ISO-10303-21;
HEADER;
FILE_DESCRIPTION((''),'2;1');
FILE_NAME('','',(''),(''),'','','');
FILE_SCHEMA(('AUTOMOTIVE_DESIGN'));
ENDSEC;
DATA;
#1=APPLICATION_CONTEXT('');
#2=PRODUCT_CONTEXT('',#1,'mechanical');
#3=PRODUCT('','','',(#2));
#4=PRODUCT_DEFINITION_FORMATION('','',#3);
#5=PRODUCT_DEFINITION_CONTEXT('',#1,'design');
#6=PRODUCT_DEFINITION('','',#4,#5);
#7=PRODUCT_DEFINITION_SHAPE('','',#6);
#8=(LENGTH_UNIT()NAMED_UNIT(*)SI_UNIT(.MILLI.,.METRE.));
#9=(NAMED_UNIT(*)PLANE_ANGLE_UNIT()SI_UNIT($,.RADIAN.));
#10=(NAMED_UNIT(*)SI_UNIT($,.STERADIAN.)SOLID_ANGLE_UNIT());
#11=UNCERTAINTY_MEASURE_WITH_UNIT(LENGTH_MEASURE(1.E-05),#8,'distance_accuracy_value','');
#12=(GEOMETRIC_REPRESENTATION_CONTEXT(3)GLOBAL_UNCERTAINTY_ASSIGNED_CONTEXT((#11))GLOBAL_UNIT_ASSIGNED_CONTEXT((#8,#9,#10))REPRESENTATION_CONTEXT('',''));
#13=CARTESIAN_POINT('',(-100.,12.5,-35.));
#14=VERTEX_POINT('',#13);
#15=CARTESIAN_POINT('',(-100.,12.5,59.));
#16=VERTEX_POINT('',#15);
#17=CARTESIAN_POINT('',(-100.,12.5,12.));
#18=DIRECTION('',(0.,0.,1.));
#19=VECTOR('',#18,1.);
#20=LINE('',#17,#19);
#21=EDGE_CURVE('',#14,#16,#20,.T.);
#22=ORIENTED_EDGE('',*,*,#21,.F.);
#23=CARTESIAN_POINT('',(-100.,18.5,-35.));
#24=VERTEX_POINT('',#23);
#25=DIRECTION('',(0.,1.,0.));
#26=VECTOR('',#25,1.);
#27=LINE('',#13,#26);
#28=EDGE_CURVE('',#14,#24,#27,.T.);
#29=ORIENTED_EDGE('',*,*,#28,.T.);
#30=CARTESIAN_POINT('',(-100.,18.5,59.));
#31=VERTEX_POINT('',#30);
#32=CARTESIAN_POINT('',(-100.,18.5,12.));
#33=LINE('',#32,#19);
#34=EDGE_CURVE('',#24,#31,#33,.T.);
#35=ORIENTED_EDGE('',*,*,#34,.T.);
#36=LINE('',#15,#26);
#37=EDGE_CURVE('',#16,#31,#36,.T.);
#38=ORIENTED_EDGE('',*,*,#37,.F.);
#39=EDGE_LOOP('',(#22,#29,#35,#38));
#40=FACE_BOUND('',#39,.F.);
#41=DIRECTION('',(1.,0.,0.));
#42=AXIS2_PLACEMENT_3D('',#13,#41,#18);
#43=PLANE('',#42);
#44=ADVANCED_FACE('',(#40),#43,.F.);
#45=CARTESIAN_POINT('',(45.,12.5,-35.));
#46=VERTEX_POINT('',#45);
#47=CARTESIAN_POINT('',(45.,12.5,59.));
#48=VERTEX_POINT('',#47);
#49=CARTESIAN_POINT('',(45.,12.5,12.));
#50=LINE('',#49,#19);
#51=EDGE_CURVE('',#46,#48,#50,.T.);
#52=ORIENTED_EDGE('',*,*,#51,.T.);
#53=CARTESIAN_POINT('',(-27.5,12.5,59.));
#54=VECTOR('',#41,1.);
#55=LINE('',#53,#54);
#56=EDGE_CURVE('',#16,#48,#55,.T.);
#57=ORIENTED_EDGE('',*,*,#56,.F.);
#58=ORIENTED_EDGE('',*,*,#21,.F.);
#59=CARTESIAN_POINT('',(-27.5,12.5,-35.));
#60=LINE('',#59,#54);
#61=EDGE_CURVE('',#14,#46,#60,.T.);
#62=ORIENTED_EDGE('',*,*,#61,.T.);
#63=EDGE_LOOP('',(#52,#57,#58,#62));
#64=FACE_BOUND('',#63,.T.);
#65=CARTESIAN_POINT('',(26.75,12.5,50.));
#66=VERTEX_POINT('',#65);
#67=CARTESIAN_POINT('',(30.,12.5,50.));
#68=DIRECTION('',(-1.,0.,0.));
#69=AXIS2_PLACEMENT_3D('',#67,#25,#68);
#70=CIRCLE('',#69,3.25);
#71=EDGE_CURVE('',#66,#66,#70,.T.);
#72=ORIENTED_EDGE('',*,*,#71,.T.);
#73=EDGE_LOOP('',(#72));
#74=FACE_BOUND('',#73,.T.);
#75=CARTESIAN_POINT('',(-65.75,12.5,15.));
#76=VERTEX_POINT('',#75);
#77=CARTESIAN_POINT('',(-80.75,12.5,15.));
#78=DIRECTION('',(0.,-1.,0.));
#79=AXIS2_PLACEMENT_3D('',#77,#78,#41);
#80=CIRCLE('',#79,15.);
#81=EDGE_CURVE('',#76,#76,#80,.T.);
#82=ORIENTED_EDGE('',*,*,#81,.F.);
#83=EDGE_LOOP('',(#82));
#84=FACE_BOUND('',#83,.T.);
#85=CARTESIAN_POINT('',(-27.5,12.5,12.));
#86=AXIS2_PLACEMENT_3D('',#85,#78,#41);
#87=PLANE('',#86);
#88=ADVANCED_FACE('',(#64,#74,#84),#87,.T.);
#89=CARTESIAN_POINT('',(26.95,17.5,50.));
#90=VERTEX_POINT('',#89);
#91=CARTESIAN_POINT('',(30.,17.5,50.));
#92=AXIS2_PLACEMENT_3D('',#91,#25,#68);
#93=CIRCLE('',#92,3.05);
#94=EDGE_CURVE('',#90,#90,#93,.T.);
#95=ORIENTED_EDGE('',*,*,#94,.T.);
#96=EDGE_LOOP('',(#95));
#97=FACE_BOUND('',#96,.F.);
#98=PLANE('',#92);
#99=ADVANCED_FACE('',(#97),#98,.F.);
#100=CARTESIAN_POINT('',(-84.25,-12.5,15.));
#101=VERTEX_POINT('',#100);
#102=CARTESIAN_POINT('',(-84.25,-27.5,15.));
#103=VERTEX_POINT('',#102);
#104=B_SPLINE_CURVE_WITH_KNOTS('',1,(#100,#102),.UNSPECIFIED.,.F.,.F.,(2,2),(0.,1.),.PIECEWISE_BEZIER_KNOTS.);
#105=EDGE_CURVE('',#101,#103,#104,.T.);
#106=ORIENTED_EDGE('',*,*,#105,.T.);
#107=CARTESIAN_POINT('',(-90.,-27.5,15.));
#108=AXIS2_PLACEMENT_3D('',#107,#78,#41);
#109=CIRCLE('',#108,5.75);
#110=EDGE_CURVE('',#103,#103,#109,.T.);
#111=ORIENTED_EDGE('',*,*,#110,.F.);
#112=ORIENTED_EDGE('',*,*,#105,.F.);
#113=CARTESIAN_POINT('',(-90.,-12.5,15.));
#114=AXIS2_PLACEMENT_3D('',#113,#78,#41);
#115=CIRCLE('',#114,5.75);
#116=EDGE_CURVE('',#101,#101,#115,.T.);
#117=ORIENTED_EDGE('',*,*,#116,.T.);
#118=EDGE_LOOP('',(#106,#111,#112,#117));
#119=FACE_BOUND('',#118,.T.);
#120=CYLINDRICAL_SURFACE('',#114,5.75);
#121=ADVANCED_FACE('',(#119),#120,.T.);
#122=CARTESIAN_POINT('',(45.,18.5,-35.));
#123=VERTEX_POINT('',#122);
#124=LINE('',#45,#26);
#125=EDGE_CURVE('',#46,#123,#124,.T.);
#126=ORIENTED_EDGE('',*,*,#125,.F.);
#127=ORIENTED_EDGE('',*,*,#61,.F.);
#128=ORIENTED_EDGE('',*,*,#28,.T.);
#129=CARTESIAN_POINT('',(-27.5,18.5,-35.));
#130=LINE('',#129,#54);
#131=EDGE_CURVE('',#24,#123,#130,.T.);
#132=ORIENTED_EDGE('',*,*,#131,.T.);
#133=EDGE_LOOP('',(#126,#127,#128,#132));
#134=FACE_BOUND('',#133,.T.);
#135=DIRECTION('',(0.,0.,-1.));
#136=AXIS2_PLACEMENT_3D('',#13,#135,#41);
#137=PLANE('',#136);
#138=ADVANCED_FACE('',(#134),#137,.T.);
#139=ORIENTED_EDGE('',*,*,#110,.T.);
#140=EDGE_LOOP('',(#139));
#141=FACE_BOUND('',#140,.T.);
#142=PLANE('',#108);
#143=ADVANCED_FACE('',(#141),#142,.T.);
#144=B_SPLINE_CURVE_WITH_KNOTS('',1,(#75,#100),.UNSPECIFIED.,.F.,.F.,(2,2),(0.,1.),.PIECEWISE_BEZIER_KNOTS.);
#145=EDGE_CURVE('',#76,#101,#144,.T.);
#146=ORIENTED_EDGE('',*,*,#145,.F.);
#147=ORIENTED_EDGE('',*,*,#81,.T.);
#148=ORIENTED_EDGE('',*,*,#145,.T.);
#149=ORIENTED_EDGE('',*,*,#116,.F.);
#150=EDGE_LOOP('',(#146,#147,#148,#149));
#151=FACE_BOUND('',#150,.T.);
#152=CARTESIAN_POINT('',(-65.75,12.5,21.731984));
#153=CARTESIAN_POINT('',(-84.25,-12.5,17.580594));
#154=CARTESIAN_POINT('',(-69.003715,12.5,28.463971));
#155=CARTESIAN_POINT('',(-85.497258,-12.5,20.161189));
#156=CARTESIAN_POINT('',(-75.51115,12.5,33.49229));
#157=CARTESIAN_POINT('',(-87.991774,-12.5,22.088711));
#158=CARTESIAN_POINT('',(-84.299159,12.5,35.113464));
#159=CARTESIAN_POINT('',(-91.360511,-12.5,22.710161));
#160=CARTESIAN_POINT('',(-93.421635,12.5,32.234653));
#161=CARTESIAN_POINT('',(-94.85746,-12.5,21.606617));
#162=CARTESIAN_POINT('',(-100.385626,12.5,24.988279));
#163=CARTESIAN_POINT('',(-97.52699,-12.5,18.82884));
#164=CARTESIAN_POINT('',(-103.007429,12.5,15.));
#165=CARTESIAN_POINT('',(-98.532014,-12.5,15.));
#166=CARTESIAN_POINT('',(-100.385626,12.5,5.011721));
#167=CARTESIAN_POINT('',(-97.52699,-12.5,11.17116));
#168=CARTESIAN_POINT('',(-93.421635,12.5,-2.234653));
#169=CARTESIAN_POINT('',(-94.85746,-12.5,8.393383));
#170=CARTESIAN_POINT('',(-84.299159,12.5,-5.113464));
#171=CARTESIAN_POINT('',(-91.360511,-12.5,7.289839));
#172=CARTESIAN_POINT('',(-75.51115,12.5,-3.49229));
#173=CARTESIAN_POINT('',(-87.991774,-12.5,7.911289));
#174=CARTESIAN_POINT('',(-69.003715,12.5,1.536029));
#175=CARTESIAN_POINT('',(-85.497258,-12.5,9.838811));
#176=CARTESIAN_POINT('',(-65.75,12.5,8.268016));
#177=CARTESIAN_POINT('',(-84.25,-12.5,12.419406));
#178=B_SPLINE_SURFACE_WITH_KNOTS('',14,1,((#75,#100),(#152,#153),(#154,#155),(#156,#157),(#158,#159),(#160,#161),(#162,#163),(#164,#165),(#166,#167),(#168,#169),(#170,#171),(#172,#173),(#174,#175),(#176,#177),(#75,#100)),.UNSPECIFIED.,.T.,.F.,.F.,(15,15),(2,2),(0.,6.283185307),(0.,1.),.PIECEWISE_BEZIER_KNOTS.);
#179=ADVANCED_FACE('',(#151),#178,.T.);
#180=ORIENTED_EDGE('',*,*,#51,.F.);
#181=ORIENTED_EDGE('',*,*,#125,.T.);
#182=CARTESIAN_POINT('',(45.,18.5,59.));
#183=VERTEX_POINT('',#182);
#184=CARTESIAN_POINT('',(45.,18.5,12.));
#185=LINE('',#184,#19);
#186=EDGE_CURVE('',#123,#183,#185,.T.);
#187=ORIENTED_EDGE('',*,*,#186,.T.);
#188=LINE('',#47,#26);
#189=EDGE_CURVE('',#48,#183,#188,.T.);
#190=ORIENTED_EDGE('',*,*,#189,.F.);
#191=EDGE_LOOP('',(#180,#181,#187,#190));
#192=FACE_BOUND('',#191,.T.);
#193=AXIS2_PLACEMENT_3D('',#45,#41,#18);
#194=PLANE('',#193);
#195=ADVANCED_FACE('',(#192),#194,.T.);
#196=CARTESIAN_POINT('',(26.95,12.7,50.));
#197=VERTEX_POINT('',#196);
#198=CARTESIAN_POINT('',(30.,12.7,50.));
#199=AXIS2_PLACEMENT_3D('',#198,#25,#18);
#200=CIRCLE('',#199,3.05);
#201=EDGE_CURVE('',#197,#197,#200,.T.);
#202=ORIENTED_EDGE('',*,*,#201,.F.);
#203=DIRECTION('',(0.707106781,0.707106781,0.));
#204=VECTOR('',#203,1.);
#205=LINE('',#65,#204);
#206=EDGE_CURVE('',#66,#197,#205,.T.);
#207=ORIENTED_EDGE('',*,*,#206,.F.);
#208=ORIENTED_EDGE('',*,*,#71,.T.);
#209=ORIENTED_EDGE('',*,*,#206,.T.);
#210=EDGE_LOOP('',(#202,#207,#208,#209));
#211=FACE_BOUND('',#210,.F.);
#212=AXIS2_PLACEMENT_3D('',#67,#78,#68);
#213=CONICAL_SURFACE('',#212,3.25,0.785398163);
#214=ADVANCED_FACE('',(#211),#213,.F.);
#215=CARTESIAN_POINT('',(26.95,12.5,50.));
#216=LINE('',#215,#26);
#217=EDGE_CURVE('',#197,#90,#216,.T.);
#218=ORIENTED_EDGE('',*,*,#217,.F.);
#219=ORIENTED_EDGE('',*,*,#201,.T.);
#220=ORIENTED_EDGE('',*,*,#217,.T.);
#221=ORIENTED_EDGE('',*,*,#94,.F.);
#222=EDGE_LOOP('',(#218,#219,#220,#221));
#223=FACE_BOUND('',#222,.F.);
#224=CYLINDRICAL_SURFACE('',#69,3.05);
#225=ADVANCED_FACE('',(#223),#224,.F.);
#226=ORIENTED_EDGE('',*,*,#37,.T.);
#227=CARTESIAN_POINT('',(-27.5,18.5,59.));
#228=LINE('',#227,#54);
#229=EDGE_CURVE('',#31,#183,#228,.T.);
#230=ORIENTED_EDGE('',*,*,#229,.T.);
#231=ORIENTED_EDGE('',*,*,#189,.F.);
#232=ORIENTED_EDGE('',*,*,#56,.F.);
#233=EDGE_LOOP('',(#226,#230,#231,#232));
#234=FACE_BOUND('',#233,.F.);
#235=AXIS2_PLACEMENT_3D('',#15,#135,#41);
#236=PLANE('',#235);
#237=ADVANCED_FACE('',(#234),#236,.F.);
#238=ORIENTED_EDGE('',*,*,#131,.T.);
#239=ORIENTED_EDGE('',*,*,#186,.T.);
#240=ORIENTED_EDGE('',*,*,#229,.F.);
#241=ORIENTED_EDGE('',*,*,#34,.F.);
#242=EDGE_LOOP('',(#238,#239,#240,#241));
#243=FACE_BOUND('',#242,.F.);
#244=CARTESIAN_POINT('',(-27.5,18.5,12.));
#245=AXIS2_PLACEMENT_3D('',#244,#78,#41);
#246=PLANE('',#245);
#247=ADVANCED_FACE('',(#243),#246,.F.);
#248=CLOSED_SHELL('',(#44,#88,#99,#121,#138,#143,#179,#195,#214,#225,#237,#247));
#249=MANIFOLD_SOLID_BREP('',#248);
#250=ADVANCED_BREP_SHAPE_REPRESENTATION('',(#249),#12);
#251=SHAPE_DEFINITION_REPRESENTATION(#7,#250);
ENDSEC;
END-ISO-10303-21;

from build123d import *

# Parameters (mm, degrees)
SKETCH002_W      = 145
SKETCH002_H      = 94
PAD004_DEPTH     = 6
HOLE_D           = 6.1
HOLE_DEPTH       = 5
HOLE_CSINK_D     = 6.5
HOLE_CSINK_ANGLE = 90
SKETCH013_R      = 15
SKETCH014_R      = 5.75
SKETCH005_R      = 5.75


with BuildPart() as part:
    # Sketch002 → Pad004 (new body)
    with BuildSketch(Plane.XZ.offset(-12.5)):
        with Locations((-27.5, 12)):
            Rectangle(SKETCH002_W, SKETCH002_H)
    extrude(amount=-PAD004_DEPTH)

    # Hole
    with Locations(Plane.XZ.offset(-12.5)):
        with Locations((30, 50)):
            CounterSinkHole(HOLE_D / 2, HOLE_CSINK_D / 2, depth=HOLE_DEPTH, counter_sink_angle=HOLE_CSINK_ANGLE)

    # Sketch013 → AdditiveLoft001 section 0
    with BuildSketch(Plane.XZ.offset(-12.5)):
        with Locations((-80.75, 15)):
            Circle(SKETCH013_R)
    # Sketch014 → AdditiveLoft001 section 1
    with BuildSketch(Plane.XZ.offset(12.5)):
        with Locations((-90, 15)):
            Circle(SKETCH014_R)
    # Sketch005 → AdditiveLoft001 section 2
    with BuildSketch(Plane.XZ.offset(27.5)):
        with Locations((-90, 15)):
            Circle(SKETCH005_R)
    loft(ruled=True)


solid = part.part
